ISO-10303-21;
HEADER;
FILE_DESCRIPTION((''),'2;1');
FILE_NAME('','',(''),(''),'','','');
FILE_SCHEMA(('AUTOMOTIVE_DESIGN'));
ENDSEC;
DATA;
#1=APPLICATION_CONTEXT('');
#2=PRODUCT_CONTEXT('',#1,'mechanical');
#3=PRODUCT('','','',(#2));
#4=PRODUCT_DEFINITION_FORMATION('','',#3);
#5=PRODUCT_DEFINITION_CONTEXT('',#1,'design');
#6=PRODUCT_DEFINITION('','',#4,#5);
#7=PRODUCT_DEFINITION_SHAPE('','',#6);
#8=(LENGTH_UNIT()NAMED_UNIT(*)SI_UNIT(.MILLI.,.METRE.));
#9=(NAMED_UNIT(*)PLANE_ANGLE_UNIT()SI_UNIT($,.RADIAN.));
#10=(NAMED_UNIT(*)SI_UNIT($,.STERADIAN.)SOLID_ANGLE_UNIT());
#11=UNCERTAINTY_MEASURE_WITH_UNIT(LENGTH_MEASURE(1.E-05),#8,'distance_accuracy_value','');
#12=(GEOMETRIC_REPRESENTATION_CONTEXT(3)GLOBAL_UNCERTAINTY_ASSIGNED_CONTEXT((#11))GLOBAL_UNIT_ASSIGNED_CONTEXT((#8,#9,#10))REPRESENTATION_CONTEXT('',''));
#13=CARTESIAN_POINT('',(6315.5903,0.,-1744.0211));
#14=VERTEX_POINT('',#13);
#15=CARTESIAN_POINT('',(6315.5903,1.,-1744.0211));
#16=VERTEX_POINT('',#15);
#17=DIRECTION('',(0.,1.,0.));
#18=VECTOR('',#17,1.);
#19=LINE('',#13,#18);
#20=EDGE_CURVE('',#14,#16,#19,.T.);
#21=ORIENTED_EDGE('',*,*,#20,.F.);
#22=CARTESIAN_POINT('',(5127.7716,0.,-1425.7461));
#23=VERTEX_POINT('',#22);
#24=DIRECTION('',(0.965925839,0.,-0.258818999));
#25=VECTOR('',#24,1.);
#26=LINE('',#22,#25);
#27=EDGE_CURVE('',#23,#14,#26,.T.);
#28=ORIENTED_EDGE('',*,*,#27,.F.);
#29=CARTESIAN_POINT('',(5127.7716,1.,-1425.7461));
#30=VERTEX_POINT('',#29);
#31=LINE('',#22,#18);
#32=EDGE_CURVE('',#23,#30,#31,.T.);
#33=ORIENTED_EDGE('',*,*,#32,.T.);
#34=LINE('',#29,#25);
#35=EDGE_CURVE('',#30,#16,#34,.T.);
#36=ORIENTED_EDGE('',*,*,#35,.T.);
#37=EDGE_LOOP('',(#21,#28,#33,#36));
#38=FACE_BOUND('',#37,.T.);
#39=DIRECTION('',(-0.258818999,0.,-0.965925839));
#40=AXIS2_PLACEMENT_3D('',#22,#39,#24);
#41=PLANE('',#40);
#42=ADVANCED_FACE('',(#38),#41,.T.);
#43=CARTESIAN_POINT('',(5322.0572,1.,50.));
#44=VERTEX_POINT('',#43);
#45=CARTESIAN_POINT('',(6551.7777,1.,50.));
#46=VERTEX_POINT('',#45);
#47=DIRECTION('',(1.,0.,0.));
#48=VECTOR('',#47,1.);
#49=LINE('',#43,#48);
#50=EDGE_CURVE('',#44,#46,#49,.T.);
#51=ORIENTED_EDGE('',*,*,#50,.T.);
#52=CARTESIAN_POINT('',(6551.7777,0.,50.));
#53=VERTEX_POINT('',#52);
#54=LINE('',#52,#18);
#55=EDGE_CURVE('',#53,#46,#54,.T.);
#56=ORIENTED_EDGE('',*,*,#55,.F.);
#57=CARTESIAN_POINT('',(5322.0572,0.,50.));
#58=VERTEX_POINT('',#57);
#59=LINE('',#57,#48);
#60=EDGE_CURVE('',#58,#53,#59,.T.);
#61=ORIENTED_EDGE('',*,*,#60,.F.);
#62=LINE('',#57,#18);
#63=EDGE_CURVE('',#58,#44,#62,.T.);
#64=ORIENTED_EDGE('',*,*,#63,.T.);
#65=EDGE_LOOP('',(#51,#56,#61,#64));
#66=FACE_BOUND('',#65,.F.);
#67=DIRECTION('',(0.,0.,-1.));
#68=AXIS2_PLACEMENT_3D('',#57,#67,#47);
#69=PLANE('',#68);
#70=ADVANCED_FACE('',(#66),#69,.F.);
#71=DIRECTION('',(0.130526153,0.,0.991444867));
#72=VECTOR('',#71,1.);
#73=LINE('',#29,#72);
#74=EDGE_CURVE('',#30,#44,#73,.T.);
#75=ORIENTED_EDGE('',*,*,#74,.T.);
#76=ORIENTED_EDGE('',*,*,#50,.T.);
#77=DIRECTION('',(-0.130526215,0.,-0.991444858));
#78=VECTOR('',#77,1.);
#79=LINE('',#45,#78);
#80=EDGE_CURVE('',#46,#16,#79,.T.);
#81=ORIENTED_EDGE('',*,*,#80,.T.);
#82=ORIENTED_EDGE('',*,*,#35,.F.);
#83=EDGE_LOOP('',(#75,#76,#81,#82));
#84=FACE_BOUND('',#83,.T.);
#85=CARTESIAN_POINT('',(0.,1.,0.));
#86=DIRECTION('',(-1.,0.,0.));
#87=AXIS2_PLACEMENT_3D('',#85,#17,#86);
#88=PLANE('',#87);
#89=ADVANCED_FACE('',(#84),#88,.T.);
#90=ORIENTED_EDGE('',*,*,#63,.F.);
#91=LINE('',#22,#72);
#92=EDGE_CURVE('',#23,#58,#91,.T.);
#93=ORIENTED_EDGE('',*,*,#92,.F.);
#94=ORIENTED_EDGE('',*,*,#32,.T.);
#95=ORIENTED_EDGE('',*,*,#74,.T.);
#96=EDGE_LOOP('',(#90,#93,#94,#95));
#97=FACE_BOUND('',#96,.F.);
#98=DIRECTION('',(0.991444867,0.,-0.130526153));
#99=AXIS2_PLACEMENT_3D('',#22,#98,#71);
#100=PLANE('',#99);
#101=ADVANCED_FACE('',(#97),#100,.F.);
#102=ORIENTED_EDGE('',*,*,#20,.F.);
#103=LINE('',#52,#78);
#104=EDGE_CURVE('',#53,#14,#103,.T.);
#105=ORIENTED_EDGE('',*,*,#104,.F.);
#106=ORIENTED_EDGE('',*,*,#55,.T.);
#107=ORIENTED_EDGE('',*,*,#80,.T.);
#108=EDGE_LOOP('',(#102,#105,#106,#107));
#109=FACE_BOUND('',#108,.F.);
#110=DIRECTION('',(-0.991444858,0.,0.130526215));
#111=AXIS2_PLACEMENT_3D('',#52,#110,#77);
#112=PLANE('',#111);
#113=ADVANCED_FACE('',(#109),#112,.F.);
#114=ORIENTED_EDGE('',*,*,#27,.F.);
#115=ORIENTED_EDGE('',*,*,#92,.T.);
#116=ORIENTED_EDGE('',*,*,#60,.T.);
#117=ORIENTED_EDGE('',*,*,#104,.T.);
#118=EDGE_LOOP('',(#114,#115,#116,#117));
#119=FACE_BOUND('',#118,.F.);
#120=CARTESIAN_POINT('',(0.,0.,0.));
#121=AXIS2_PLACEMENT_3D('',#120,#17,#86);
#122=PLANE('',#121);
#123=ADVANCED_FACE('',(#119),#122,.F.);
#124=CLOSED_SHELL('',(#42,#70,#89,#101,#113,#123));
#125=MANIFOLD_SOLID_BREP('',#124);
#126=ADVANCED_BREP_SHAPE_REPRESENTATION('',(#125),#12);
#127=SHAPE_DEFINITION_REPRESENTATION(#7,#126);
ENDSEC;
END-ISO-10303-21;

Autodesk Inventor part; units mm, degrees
ref_plane "YZ Plane" through (0, 0, 0) normal (1, 0, 0) x (0, 1, 0)
ref_plane "XZ Plane" through (0, 0, 0) normal (0, 1, 0) x (-1, 0, 0)
ref_plane "XY Plane" through (0, 0, 0) normal (0, 0, 1) x (1, 0, 0)
sketch "Sketch1" plane through (0, 0, 0) normal (0, 1, 0) x (-1, 0, 0)
  line L0 (0, 0) -> (-12000, 0) construction
  line L1 (0, 0) -> (-11591.1099, -3105.8285) construction
  line L2 (0, 0) -> (12000, 0) construction
  line L3 (-6551.7777, 50) -> (-6315.5903, -1744.0211)
  line L4 (-5127.7716, -1425.7461) -> (-5322.0572, 50)
  line L5 (0, 0) -> (-5224.9144, -687.873) construction
  line L6 (0, 0) -> (5270, 0) construction
  line L7 (-5127.7716, -1425.7461) -> (-6315.5903, -1744.0211)
  line L8 (-5322.0572, 50) -> (-6551.7777, 50)
  dimension "d2" = 165
  dimension "d5" = 5270
  dimension "d6" = 172.5
  dimension "d7" = 50
  dimension "d8" = 50
extrude "Extrusion1" add sketch "Sketch1" along normal blind 1
properties part number "panelDflat.KR"
